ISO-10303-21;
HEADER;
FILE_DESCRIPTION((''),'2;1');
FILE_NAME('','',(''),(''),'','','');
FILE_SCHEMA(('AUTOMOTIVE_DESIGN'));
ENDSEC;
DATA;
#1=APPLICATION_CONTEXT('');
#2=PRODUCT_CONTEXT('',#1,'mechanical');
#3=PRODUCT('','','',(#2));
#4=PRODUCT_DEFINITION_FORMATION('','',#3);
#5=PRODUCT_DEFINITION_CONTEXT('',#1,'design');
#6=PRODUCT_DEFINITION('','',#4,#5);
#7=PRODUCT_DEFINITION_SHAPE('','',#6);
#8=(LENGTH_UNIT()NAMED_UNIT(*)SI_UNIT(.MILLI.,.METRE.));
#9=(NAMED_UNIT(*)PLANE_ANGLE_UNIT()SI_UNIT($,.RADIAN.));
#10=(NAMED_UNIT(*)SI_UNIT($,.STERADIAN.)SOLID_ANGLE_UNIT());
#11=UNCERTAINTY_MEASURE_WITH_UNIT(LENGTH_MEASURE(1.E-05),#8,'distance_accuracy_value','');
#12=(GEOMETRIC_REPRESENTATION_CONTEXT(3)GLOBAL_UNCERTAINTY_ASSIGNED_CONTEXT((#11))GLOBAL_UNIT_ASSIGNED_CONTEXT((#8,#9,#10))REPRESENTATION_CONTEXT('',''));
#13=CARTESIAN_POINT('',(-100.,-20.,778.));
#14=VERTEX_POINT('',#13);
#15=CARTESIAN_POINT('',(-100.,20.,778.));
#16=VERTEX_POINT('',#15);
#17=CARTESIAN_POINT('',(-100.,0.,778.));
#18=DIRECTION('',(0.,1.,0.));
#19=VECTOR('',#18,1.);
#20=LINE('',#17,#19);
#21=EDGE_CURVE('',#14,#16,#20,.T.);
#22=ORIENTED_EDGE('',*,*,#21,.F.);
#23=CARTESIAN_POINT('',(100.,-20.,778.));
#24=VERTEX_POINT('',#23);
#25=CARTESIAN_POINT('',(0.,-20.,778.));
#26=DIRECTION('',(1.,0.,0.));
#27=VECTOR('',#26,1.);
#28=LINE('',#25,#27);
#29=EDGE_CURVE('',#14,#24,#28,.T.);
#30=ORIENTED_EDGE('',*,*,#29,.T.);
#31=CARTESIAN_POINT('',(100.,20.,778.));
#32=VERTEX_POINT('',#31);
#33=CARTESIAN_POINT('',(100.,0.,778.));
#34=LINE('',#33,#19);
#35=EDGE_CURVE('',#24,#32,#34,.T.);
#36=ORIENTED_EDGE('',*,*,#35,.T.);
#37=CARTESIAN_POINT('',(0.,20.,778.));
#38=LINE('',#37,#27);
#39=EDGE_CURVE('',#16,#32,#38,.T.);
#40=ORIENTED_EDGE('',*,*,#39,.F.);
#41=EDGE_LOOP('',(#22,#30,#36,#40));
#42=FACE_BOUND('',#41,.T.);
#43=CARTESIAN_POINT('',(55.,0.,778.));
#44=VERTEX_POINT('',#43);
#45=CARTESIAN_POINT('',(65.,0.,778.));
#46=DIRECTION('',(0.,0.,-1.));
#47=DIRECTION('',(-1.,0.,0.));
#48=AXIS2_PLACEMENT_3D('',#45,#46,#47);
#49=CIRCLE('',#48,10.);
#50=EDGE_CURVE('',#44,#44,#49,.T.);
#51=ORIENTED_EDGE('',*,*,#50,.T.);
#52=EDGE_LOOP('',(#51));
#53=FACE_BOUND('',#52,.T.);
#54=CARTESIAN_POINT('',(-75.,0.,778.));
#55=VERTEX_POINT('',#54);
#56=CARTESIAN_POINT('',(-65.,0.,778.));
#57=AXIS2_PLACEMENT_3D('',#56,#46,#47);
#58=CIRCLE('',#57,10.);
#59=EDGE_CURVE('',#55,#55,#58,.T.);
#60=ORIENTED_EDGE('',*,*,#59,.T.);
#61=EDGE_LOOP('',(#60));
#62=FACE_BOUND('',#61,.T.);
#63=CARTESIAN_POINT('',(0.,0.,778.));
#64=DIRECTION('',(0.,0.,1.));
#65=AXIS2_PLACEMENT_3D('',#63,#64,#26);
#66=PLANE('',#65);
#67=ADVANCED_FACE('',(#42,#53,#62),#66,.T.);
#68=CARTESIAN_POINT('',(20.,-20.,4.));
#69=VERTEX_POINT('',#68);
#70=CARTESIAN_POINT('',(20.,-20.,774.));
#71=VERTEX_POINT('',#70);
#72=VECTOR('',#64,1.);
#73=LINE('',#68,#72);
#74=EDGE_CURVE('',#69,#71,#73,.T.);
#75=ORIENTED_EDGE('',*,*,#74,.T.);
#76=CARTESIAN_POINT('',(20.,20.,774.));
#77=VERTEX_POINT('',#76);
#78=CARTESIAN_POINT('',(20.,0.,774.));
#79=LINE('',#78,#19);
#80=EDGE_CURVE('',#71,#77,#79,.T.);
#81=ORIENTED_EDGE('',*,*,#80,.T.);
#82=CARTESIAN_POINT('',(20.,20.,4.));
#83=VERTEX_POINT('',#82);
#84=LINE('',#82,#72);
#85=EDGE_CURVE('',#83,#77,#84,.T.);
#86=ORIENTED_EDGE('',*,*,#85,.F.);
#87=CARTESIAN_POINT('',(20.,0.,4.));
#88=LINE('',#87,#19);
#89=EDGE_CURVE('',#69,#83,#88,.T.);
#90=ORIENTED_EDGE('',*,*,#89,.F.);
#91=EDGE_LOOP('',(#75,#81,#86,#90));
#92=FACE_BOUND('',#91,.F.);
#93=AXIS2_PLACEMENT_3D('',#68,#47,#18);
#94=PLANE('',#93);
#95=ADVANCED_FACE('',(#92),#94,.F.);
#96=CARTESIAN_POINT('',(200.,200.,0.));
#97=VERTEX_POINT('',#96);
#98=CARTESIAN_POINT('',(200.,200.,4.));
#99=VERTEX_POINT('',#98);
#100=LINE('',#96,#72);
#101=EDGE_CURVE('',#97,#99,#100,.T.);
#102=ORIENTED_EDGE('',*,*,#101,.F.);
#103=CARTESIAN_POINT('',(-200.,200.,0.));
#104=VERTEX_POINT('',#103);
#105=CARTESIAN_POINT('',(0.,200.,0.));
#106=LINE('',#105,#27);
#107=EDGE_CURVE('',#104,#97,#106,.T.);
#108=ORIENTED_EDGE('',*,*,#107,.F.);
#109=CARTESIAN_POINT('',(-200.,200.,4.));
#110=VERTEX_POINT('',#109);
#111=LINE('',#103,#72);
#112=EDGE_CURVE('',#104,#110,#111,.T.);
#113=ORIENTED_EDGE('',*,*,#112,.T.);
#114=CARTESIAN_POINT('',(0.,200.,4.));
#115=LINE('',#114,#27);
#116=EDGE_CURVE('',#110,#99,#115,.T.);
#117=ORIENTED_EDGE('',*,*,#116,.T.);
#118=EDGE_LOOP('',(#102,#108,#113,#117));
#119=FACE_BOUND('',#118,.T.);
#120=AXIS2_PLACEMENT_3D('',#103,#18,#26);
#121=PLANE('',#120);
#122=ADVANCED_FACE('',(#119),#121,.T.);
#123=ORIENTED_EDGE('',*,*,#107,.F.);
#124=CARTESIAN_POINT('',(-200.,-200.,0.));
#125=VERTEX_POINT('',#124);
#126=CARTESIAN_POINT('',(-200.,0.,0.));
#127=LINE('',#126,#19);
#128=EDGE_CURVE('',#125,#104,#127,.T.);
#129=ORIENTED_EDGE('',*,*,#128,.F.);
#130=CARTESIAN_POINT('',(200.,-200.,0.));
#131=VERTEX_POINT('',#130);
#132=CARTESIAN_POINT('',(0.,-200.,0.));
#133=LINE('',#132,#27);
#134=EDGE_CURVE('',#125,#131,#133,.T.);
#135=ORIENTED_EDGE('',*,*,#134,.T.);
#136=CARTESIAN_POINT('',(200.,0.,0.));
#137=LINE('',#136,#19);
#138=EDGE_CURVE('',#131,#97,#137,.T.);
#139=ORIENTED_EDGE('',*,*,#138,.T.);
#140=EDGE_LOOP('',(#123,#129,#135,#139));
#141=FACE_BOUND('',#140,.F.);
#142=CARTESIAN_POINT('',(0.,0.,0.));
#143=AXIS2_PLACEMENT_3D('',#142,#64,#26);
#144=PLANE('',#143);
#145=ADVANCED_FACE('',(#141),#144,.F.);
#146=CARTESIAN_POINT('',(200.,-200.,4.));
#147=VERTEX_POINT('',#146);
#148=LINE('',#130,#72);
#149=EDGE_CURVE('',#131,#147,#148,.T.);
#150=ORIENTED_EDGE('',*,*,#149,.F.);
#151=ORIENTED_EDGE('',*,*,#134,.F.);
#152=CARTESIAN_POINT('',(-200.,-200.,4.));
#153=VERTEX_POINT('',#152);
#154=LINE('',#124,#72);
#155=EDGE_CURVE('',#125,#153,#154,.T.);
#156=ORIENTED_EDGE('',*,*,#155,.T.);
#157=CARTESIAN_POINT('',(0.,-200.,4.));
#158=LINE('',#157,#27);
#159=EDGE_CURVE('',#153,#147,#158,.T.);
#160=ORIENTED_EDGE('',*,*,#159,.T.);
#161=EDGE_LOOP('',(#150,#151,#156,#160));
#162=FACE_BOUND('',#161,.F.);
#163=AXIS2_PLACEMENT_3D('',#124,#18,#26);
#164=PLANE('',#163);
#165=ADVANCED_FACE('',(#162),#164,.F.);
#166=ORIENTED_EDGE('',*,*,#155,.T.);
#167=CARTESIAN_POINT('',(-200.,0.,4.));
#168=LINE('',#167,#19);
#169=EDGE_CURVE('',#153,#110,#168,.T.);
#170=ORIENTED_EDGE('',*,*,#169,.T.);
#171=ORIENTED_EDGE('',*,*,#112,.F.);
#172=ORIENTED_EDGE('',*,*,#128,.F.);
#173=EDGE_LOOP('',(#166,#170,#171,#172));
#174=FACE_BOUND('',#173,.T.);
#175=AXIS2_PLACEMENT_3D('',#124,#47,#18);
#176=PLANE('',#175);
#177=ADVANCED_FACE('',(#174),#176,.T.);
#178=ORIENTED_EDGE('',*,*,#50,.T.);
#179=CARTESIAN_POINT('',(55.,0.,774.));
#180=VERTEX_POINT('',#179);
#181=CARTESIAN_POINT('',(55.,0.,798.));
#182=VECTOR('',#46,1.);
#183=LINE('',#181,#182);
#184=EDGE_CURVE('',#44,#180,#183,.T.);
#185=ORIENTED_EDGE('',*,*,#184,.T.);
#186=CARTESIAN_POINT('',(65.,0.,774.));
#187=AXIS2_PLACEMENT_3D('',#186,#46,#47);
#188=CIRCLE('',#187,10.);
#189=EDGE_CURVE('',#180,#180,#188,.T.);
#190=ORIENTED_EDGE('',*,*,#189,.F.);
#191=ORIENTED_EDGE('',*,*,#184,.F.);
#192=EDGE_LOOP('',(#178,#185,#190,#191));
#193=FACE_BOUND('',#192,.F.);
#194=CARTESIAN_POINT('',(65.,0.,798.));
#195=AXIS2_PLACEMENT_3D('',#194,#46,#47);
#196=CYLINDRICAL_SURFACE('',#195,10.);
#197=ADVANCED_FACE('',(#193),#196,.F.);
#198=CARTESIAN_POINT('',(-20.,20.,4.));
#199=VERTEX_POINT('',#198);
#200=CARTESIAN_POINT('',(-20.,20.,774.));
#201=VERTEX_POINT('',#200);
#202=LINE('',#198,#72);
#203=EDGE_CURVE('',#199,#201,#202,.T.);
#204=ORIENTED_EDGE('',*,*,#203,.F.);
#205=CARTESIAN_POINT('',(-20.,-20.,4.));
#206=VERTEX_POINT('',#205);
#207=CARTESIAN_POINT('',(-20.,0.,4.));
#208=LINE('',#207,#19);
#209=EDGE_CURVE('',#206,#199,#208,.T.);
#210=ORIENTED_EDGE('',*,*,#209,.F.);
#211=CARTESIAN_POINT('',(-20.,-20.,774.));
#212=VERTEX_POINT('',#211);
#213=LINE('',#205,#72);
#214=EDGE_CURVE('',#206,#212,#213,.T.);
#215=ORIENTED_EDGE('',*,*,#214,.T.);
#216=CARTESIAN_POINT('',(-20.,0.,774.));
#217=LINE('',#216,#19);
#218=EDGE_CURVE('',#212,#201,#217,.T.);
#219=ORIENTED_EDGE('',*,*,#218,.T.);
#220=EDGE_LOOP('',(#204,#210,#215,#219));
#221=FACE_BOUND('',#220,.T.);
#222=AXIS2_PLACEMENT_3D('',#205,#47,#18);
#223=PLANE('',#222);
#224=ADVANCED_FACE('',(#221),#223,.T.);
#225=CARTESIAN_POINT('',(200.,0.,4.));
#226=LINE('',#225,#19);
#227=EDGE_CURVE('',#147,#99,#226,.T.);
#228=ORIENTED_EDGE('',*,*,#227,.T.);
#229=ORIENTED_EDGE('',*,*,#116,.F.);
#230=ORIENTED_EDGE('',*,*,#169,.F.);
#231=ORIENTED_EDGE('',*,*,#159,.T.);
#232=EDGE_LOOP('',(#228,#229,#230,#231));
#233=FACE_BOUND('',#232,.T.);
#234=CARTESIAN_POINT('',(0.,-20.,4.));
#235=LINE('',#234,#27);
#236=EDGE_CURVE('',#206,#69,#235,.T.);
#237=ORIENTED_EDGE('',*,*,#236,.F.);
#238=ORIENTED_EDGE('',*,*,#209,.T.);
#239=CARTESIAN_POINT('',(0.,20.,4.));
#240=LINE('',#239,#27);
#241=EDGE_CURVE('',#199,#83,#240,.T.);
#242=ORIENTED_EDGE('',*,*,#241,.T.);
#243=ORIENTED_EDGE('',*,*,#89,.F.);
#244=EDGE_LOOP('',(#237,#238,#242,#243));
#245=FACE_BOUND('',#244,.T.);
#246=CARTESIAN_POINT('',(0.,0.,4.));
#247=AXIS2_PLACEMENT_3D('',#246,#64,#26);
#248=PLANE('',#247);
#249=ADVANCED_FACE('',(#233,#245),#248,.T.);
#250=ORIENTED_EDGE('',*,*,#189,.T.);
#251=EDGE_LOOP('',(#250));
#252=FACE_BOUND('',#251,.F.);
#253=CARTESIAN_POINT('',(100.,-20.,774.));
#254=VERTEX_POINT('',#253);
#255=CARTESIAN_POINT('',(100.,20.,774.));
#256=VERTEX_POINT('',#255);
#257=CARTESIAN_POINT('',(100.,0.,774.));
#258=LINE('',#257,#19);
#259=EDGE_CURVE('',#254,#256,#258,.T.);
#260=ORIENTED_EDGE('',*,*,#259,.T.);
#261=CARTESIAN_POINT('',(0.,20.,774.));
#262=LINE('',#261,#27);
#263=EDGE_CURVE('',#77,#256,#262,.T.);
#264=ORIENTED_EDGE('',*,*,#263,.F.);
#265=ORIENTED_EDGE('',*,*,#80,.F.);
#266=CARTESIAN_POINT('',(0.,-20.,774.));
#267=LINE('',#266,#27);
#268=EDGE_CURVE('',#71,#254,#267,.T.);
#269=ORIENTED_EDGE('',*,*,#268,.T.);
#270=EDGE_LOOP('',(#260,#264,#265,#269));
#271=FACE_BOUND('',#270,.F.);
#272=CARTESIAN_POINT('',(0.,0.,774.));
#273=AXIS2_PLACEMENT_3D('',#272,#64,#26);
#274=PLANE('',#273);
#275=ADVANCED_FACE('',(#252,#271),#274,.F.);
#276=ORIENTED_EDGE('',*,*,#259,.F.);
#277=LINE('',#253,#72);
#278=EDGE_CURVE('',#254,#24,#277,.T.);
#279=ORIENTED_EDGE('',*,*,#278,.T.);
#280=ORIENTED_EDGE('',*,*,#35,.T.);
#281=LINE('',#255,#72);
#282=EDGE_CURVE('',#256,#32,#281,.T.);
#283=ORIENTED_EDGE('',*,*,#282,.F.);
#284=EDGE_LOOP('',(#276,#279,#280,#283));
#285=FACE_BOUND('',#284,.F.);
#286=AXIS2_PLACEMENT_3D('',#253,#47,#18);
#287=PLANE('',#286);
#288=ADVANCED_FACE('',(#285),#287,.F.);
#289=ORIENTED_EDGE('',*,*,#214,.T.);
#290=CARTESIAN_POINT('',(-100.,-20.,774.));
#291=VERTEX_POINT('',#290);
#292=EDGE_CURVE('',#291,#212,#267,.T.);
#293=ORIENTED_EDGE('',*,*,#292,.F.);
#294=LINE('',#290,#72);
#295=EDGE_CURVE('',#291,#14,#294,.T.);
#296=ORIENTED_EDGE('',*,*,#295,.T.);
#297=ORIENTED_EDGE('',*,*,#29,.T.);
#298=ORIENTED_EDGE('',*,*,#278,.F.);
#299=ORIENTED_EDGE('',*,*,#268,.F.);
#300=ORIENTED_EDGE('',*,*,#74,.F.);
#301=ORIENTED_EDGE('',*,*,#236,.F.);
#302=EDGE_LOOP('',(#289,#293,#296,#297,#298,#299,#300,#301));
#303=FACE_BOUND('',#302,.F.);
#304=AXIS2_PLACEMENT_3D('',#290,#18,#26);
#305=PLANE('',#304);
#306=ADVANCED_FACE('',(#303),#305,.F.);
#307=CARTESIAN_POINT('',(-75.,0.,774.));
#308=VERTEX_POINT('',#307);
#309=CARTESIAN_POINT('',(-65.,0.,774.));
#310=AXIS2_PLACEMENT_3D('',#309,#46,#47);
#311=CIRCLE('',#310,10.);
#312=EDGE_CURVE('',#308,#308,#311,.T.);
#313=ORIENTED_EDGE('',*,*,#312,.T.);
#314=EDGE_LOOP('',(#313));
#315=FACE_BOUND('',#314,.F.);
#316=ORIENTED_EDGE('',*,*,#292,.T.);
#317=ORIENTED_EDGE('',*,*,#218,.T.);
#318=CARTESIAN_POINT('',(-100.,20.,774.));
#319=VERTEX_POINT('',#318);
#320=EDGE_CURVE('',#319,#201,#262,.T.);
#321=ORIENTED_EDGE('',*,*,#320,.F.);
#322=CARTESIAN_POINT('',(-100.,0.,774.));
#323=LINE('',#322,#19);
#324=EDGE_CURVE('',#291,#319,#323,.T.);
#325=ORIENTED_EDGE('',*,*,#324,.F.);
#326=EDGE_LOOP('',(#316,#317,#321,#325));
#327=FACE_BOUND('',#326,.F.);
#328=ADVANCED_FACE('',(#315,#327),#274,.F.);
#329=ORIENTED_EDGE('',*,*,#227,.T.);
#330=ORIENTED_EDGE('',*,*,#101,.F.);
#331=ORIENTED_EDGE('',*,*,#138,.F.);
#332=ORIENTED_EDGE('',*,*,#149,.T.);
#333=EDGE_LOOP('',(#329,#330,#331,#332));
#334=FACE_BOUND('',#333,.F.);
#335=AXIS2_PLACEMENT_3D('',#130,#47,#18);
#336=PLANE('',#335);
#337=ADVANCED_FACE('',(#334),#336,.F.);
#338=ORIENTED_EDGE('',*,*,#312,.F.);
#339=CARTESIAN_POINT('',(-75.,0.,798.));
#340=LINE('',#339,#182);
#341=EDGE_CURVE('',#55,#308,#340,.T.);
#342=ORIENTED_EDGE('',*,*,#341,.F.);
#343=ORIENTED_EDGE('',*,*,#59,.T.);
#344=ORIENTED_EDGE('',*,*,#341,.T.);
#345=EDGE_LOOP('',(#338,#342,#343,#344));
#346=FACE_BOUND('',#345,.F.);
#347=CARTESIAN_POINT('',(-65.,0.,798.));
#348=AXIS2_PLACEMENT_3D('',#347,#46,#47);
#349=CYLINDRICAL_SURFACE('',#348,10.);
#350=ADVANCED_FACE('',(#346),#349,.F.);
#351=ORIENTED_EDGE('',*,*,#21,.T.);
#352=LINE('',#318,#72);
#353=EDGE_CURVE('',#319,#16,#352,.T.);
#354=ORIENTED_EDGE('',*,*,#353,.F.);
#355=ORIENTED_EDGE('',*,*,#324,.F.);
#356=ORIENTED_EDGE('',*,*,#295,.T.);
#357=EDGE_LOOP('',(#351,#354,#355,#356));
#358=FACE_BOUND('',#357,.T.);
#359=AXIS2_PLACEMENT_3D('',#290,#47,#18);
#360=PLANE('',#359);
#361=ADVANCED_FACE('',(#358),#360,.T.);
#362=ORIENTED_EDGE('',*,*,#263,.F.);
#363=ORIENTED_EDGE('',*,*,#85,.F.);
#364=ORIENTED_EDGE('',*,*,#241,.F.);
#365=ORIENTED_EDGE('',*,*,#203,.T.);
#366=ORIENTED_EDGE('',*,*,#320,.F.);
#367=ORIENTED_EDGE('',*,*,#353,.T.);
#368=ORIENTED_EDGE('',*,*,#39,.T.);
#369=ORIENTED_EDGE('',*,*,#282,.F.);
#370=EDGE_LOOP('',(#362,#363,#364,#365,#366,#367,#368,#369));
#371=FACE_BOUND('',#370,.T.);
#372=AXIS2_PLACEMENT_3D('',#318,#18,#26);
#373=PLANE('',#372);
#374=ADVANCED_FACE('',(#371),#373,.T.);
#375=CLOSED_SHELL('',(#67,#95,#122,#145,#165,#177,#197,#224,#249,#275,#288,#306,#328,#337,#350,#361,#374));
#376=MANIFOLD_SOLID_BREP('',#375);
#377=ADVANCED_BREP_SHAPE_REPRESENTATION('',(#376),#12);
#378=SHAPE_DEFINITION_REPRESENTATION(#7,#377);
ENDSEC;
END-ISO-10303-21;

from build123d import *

# Parameters (mm, degrees)
F0_W     = 400
F0_H     = 400
F1_DEPTH = 4
F2_W     = 40
F2_H     = 40
F3_DEPTH = 770
F4_W     = 200
F4_H     = 40
F5_DEPTH = 4
F8_D     = 20
F8_DEPTH = 20
F9_D     = 20
F9_DEPTH = 20


with BuildPart() as f1:
    # F0 (on Top) → F1 (new body)
    with BuildSketch(Plane.XY):
        Rectangle(F0_W, F0_H)
    extrude(amount=F1_DEPTH)

    # F2 (on face) → F3 (join)
    with BuildSketch(Plane.XY.offset(4)):
        Rectangle(F2_W, F2_H)
    extrude(amount=F3_DEPTH)

    # F4 (on face) → F5 (join)
    with BuildSketch(Plane.XY.offset(774)):
        Rectangle(F4_W, F4_H)
    extrude(amount=F5_DEPTH)

    # F8
    with Locations(Plane.XY.offset(778)):
        with Locations((-65, 0)):
            Hole(F8_D / 2, depth=F8_DEPTH)

    # F9
    with Locations(Plane.XY.offset(778)):
        with Locations((65, 0)):
            Hole(F9_D / 2, depth=F9_DEPTH)


solid = f1.part
